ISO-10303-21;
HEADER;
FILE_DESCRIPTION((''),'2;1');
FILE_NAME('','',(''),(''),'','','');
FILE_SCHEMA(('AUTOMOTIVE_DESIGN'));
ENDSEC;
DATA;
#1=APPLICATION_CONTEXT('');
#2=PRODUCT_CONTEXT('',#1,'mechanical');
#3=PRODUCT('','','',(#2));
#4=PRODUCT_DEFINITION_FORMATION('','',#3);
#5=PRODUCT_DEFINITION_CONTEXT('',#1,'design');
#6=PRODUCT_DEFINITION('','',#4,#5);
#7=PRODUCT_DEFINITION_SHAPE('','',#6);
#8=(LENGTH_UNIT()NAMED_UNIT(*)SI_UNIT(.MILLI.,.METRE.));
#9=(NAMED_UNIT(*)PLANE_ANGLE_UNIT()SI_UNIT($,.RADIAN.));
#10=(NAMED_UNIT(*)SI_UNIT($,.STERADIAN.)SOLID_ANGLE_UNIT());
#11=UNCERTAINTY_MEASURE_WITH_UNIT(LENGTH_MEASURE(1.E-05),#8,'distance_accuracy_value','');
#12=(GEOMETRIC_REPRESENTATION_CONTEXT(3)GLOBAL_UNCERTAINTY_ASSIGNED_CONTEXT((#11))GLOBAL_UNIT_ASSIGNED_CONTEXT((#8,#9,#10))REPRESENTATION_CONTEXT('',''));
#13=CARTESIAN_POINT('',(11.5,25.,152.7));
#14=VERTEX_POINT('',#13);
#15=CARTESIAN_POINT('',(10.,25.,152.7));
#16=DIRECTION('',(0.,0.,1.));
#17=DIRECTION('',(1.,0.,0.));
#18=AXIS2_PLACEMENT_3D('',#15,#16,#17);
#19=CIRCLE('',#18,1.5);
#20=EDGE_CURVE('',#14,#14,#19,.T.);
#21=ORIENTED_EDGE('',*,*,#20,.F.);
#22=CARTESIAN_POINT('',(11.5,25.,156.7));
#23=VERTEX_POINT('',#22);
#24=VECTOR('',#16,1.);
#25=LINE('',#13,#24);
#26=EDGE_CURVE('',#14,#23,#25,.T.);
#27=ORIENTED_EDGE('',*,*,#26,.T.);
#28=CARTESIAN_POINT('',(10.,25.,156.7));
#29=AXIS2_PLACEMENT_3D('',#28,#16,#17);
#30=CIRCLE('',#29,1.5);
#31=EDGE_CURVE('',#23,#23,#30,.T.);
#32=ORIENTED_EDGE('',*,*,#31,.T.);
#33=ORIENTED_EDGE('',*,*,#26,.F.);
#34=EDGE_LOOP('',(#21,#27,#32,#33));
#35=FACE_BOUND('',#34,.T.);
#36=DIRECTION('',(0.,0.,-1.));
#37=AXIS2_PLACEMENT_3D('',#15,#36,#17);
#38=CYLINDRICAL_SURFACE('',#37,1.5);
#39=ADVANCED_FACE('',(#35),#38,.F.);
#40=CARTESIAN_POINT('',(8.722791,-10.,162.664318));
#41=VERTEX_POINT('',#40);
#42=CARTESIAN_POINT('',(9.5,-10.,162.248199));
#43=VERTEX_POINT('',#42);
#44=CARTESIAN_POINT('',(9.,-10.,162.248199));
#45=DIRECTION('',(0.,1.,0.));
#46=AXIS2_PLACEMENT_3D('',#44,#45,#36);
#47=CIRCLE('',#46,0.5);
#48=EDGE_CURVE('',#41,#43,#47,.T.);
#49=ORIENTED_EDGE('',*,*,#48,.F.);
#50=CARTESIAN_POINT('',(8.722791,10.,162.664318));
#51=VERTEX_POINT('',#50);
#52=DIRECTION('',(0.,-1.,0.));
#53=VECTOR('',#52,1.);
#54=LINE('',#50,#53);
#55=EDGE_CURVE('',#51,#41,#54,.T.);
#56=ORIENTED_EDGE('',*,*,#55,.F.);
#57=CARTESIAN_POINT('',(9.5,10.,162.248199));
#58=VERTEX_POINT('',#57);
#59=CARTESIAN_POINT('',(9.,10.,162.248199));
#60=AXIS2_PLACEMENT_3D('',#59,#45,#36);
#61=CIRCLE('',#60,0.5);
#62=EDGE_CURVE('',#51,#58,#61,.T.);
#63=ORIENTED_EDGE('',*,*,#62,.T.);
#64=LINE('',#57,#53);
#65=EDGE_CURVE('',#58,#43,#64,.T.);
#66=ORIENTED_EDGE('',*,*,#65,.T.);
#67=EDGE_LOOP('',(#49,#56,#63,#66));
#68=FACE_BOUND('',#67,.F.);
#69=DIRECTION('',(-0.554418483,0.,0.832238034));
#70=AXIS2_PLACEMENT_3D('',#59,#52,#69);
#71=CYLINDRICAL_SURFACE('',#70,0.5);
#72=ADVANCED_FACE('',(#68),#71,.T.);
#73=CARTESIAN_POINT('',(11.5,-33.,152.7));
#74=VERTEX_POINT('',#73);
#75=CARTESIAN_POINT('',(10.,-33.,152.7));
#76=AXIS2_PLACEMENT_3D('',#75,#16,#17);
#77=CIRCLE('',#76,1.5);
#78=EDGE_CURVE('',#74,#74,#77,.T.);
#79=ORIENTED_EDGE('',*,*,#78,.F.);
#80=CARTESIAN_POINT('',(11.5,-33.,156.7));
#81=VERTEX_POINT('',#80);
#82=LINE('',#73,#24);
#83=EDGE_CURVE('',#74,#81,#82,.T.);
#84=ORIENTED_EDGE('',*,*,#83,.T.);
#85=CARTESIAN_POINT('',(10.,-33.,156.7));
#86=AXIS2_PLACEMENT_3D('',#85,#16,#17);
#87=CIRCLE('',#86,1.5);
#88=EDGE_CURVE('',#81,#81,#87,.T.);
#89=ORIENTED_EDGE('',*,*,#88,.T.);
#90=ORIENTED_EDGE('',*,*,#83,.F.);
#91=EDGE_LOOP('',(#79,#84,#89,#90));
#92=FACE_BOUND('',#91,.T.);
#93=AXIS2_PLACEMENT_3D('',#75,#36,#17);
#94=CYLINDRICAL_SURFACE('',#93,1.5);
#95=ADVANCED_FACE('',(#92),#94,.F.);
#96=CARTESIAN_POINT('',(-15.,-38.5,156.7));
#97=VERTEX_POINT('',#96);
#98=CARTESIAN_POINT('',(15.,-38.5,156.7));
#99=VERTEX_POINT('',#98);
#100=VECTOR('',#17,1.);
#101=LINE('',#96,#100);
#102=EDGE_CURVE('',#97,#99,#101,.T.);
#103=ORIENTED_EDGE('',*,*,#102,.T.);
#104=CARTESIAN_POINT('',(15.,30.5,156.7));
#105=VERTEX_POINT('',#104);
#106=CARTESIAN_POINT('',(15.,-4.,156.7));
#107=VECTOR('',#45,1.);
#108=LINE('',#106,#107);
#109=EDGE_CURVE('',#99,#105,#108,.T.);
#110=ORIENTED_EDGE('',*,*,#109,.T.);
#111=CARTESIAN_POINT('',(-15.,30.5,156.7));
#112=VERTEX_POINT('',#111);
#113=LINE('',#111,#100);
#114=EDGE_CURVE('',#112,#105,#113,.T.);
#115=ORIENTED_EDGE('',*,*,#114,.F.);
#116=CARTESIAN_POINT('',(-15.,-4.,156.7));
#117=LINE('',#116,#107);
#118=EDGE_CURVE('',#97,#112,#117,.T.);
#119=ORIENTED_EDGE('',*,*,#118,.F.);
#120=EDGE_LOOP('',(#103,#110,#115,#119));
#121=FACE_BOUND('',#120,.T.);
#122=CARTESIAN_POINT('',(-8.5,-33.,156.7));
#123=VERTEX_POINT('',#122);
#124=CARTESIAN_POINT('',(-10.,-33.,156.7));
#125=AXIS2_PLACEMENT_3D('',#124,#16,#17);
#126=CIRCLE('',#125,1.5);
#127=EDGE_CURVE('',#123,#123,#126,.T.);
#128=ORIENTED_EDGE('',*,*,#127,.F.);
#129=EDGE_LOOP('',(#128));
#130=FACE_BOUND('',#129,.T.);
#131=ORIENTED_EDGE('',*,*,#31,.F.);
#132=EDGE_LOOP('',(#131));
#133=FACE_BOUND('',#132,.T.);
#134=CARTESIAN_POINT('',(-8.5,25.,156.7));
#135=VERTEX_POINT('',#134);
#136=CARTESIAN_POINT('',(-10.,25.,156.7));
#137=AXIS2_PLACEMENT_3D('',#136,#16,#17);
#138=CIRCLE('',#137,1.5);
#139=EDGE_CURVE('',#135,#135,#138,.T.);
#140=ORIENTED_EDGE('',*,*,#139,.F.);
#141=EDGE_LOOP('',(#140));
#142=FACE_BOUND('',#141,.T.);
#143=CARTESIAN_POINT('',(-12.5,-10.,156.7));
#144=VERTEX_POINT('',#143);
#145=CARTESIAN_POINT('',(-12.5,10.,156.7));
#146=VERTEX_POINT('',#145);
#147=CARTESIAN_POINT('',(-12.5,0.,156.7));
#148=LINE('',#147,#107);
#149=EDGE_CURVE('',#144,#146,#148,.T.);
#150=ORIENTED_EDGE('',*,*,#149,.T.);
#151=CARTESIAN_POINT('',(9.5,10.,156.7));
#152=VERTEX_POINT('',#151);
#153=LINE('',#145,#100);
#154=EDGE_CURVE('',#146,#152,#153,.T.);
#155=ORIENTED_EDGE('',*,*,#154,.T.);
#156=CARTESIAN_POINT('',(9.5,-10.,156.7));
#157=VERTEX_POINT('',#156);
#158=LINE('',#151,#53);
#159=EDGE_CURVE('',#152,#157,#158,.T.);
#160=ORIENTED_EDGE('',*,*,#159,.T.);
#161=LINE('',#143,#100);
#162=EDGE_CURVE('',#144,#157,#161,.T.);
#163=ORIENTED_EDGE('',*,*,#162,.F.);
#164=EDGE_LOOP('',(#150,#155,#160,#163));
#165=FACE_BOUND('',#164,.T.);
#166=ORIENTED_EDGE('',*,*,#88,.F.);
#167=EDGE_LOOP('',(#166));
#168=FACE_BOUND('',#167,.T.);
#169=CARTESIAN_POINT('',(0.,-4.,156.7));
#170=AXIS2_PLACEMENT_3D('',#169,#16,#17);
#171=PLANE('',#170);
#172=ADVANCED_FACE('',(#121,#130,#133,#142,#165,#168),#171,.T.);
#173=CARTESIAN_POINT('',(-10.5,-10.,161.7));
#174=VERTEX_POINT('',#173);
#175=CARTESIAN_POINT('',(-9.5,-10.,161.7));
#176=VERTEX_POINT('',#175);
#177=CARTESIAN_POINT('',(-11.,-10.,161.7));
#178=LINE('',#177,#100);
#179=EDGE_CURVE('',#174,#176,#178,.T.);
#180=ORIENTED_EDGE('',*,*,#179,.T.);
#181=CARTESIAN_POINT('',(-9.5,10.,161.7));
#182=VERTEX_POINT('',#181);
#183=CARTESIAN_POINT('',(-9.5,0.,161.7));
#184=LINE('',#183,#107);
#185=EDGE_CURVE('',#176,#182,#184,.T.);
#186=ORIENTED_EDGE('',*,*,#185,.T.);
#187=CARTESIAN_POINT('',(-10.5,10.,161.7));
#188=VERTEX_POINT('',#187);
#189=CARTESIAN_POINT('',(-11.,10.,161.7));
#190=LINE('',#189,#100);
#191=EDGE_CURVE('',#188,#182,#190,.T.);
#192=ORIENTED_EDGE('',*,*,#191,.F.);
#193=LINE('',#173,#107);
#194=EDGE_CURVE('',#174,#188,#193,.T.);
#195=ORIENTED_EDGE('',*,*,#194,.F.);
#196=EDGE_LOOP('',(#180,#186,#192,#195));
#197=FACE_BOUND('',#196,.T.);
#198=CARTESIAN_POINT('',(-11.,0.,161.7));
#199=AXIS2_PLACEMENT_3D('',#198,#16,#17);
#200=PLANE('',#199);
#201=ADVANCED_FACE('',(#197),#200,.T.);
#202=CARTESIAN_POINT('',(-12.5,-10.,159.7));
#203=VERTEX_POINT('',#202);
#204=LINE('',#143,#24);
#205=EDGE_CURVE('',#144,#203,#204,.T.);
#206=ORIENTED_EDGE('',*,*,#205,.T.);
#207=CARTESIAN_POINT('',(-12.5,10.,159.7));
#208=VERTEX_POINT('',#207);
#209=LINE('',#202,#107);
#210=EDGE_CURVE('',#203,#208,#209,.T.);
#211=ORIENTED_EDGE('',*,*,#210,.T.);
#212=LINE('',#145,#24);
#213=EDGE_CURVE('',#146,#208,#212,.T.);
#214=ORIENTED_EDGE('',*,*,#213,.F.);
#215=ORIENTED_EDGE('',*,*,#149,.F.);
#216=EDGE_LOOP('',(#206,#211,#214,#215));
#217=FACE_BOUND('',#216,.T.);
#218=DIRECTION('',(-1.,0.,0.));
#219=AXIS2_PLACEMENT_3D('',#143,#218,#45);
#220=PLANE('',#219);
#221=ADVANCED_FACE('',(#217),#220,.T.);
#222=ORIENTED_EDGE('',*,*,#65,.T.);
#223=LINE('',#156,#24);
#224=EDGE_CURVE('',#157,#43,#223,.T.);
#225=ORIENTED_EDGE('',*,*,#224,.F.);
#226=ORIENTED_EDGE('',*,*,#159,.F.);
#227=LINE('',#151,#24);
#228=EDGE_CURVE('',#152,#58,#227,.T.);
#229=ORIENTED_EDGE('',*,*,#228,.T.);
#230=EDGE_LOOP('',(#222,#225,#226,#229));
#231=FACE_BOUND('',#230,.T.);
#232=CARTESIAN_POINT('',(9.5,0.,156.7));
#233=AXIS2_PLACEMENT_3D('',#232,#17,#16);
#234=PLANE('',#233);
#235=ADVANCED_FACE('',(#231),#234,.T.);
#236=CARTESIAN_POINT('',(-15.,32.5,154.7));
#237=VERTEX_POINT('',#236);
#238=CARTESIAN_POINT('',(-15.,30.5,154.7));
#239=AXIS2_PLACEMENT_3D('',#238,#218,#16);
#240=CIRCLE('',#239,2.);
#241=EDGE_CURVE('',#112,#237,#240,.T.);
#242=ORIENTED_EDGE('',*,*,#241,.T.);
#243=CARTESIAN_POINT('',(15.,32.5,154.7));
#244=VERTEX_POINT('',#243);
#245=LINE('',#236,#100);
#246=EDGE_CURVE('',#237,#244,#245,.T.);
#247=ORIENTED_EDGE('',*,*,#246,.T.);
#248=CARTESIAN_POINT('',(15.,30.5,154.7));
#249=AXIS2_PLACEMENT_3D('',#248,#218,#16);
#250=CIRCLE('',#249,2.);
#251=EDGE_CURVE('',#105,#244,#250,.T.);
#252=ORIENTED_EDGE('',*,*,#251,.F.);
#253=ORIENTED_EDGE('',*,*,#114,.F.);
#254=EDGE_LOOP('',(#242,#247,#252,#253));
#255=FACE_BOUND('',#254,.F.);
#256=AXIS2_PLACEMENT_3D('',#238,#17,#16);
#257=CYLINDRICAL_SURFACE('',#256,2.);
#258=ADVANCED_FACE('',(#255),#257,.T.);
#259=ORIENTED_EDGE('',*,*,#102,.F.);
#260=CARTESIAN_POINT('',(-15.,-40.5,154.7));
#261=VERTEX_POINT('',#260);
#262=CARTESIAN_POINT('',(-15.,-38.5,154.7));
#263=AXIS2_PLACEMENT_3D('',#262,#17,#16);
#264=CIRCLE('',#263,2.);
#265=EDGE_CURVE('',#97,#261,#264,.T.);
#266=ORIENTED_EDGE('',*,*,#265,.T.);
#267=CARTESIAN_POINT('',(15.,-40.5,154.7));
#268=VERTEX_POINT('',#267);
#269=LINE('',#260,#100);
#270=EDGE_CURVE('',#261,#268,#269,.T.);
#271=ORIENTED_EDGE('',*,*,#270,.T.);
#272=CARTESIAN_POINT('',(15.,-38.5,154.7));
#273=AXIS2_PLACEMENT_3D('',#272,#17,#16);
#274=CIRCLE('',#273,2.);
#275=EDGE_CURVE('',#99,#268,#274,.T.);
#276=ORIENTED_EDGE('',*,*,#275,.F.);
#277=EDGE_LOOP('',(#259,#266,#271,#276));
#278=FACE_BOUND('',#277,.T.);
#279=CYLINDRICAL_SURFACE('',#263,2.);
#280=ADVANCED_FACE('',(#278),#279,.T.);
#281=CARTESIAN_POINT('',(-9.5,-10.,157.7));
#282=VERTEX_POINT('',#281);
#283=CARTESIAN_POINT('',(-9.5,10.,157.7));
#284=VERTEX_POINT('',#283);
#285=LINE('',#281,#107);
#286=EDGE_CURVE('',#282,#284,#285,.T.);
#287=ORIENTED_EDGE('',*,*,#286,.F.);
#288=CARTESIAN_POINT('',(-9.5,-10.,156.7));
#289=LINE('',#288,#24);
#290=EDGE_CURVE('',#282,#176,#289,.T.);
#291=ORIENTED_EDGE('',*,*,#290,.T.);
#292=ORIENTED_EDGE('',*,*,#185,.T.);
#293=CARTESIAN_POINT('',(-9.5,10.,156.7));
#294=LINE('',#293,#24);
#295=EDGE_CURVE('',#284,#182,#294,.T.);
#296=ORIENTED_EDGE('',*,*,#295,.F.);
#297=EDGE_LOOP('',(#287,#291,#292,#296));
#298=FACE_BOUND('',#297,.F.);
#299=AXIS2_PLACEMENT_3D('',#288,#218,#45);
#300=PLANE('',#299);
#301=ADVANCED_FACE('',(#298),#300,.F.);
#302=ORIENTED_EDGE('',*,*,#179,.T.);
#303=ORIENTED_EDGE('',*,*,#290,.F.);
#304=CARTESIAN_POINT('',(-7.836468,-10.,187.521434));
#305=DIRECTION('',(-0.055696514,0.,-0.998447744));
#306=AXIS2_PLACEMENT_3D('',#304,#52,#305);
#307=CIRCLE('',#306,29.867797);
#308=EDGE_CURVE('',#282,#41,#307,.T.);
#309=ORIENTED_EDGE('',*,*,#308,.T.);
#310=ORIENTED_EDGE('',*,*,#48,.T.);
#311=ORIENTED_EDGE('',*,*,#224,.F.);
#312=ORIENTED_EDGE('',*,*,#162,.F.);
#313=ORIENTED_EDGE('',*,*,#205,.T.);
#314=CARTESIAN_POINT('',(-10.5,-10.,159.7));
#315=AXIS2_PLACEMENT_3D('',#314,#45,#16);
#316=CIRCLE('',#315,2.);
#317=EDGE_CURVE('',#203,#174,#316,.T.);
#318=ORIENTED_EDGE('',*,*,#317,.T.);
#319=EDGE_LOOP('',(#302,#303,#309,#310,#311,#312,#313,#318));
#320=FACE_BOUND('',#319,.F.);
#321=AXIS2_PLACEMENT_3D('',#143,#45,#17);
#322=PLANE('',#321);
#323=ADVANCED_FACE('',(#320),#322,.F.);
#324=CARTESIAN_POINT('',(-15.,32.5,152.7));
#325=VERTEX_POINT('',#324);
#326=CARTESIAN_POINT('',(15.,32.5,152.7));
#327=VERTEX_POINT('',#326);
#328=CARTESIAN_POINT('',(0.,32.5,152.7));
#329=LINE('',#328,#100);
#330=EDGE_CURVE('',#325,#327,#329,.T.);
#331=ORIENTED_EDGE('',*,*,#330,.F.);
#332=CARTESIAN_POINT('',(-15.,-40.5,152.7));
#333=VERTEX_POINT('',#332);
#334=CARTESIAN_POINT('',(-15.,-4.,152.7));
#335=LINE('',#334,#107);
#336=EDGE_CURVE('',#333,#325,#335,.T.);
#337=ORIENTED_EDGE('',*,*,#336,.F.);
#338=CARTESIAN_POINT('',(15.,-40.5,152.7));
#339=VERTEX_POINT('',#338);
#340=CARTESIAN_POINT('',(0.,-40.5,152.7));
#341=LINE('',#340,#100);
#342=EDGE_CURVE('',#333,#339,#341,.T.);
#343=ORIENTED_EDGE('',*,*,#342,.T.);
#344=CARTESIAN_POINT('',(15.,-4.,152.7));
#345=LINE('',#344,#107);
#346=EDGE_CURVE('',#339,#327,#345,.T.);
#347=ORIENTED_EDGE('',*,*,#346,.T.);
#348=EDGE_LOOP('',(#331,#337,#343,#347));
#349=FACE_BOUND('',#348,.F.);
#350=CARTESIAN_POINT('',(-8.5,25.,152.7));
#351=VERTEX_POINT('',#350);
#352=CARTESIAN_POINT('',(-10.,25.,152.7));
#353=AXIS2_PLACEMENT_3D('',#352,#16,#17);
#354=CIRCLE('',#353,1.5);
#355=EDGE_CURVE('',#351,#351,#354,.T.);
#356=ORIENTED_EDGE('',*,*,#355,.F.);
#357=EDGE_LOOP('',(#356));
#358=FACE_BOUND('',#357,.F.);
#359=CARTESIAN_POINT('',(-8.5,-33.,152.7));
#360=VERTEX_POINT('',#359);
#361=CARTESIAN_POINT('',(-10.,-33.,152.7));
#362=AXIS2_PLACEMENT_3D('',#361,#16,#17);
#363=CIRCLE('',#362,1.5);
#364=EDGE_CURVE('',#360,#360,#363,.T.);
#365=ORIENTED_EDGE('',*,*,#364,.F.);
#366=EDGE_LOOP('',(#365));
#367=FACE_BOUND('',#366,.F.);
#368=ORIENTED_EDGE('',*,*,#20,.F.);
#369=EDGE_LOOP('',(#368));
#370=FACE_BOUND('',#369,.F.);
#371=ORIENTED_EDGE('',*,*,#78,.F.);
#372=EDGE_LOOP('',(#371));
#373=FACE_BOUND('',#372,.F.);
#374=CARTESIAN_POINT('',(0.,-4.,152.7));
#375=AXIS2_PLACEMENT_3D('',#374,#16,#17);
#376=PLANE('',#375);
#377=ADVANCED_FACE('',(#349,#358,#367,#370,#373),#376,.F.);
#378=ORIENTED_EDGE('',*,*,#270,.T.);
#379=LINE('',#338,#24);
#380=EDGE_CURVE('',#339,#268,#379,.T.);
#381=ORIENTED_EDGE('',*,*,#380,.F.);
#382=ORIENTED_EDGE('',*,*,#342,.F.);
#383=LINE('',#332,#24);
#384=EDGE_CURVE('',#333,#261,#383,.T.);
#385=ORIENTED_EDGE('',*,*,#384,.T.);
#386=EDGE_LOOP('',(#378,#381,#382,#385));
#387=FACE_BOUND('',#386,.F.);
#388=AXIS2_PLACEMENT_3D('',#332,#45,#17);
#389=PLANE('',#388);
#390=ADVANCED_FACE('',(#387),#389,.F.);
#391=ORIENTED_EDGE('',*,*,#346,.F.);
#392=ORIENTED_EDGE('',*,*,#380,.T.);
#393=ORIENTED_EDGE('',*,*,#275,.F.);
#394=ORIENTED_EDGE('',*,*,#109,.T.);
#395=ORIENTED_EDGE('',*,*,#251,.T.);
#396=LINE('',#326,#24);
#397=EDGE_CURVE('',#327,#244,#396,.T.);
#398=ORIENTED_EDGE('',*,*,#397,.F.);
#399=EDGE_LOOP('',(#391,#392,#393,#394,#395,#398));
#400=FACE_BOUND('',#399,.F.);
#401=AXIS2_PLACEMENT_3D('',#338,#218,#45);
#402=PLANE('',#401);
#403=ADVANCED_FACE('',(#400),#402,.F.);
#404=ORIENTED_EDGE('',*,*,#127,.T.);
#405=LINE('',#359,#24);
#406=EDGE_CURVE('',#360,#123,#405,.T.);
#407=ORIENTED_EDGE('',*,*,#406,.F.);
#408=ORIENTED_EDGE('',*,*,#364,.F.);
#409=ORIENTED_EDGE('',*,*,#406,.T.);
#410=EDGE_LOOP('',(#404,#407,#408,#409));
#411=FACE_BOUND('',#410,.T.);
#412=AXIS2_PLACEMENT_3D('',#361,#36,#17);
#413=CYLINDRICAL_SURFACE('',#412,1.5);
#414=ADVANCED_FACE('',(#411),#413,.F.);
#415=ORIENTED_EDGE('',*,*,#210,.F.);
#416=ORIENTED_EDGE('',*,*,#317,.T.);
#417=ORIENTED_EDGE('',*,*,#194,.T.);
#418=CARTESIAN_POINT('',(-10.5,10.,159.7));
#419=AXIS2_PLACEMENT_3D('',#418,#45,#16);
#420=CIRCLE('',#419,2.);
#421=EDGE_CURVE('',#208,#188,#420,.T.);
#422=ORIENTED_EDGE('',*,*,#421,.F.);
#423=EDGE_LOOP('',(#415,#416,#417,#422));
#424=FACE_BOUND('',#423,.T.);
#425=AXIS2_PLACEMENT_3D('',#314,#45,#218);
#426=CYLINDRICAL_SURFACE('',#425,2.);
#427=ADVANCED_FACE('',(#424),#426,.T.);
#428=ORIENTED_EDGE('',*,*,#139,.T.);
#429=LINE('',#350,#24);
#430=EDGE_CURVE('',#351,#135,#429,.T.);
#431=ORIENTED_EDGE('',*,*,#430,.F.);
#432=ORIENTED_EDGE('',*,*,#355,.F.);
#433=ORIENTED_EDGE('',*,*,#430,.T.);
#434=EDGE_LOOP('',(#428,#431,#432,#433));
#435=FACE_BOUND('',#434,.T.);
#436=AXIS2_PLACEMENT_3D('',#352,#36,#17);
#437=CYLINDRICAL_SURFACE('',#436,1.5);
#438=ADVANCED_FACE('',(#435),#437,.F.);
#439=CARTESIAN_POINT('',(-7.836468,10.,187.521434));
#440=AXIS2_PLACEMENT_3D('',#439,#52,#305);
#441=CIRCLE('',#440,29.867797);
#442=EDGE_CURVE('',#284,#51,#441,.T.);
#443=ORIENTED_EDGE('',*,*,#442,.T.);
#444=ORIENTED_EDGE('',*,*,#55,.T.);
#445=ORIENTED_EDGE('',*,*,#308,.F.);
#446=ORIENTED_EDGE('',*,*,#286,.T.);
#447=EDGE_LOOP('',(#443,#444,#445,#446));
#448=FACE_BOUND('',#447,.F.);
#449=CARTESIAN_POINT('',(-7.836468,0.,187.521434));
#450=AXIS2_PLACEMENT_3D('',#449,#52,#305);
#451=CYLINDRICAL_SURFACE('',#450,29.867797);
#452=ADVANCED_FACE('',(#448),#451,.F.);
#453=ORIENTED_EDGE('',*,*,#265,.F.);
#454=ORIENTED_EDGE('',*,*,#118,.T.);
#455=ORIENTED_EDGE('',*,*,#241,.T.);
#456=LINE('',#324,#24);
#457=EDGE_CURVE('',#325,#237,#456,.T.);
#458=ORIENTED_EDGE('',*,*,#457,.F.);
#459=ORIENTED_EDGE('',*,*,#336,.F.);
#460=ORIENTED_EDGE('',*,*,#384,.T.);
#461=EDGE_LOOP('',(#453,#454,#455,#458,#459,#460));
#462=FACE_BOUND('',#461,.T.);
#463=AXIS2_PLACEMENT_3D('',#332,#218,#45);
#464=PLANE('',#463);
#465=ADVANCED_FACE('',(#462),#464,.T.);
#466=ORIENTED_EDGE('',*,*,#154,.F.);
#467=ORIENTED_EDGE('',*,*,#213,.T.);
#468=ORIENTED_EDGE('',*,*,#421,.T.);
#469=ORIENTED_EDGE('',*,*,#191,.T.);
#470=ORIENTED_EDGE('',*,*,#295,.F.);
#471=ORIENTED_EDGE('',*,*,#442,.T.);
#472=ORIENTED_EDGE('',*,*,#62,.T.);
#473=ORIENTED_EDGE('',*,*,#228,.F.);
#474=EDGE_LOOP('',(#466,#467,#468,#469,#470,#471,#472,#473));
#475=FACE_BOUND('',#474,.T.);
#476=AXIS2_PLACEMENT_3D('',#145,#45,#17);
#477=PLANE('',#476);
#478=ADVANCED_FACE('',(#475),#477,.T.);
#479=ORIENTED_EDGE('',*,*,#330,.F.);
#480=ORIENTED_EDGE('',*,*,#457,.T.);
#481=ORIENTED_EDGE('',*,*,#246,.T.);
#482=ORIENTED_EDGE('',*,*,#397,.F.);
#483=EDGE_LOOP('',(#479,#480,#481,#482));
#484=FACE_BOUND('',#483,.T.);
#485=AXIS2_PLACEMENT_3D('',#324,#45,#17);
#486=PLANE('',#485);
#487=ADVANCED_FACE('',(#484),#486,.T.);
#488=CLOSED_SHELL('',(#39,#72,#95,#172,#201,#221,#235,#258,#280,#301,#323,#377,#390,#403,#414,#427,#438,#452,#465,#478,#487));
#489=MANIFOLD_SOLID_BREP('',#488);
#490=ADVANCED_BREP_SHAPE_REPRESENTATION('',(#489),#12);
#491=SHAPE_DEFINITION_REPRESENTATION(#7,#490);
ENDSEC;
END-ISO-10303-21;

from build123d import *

# Parameters (mm, degrees)
CYLINDER072_R     = 1.5
CYLINDER072_DEPTH = 4
CYLINDER071_R     = 1.5
CYLINDER071_DEPTH = 4
CYLINDER073_R     = 1.5
CYLINDER073_DEPTH = 4
CYLINDER070_R     = 1.5
CYLINDER070_DEPTH = 4
EXTRUDE004_DEPTH  = 10
FILLET007_R       = 0.5
BOX017_W          = 3
BOX017_H          = 20
BOX017_DEPTH      = 5
FILLET009_R       = 2
BOX016_W          = 30
BOX016_H          = 73
BOX016_DEPTH      = 4
FILLET008_R       = 2


with BuildPart() as payload_plate_screw009:
    # Cylinder072 → Cylinder072 (new body)
    with BuildSketch(Plane(origin=(-10, 25, 152.7), x_dir=(1, 0, 0), z_dir=(0, 0, 1))):
        Circle(CYLINDER072_R)
    extrude(amount=CYLINDER072_DEPTH)


with BuildPart() as payload_plate_screw008:
    # Cylinder071 → Cylinder071 (new body)
    with BuildSketch(Plane(origin=(-10, -33, 152.7), x_dir=(1, 0, 0), z_dir=(0, 0, 1))):
        Circle(CYLINDER071_R)
    extrude(amount=CYLINDER071_DEPTH)


with BuildPart() as payload_plate_screw010:
    # Cylinder073 → Cylinder073 (new body)
    with BuildSketch(Plane(origin=(10, 25, 152.7), x_dir=(1, 0, 0), z_dir=(0, 0, 1))):
        Circle(CYLINDER073_R)
    extrude(amount=CYLINDER073_DEPTH)


with BuildPart() as payload_plate_screw_holes001:
    # Cylinder070 → Cylinder070 (new body)
    with BuildSketch(Plane(origin=(10, -33, 152.7), x_dir=(1, 0, 0), z_dir=(0, 0, 1))):
        Circle(CYLINDER070_R)
    extrude(amount=CYLINDER070_DEPTH)

    # Compound009: union payload-plate-screw009, payload-plate-screw008, payload-plate-screw010
    add(payload_plate_screw009.part)
    add(payload_plate_screw008.part)
    add(payload_plate_screw010.part)


with BuildPart() as webcam_cradle:
    # Sketch → Extrude004 (new body, symmetric)
    with BuildSketch(Plane.XZ):
        with BuildLine():
            Line((-9.5, 0), (9.5, 0))
            Line((9.5, 0), (9.5, 6.5))
            ThreePointArc((-9.5, 1), (0.468514, 2.131496), (9.5, 6.5))
            Line((-9.5, 0), (-9.5, 1))
        make_face()
    extrude(amount=EXTRUDE004_DEPTH, both=True)

    # Fillet007
    fillet007_edges = [webcam_cradle.edges().sort_by_distance(p)[0] for p in [
        (9.5, 0, 6.5),
    ]]
    fillet(fillet007_edges, radius=FILLET007_R)


with BuildPart() as webcam_cradle_1:
    # Fillet007 placement: moved
    add(webcam_cradle.part.moved(Location((0, 0, 156.7))))


with BuildPart() as from_stop:
    # Box017 → Box017 (new body)
    with BuildSketch(Plane(origin=(-12.5, -10, 156.7), x_dir=(1, 0, 0), z_dir=(0, 0, 1))):
        with Locations((1.5, 10)):
            Rectangle(BOX017_W, BOX017_H)
    extrude(amount=BOX017_DEPTH)

    # Fillet009
    fillet009_edges = [from_stop.edges().sort_by_distance(p)[0] for p in [
        (-12.5, 0, 161.7),
    ]]
    fillet(fillet009_edges, radius=FILLET009_R)


with BuildPart() as payload_plate_webcam:
    # Box016 → Box016 (new body)
    with BuildSketch(Plane(origin=(-15, -40.5, 152.7), x_dir=(1, 0, 0), z_dir=(0, 0, 1))):
        with Locations((15, 36.5)):
            Rectangle(BOX016_W, BOX016_H)
    extrude(amount=BOX016_DEPTH)

    # Fusion030: union webcam-cradle, from-stop
    add(webcam_cradle_1.part)
    add(from_stop.part)

    # Fillet008
    fillet008_edges = [payload_plate_webcam.edges().sort_by_distance(p)[0] for p in [
        (0, -40.5, 156.7),
        (0, 32.5, 156.7),
    ]]
    fillet(fillet008_edges, radius=FILLET008_R)

    # Cut054: cut payload-plate-screw-holes001
    add(payload_plate_screw_holes001.part, mode=Mode.SUBTRACT)


solid = payload_plate_webcam.part
